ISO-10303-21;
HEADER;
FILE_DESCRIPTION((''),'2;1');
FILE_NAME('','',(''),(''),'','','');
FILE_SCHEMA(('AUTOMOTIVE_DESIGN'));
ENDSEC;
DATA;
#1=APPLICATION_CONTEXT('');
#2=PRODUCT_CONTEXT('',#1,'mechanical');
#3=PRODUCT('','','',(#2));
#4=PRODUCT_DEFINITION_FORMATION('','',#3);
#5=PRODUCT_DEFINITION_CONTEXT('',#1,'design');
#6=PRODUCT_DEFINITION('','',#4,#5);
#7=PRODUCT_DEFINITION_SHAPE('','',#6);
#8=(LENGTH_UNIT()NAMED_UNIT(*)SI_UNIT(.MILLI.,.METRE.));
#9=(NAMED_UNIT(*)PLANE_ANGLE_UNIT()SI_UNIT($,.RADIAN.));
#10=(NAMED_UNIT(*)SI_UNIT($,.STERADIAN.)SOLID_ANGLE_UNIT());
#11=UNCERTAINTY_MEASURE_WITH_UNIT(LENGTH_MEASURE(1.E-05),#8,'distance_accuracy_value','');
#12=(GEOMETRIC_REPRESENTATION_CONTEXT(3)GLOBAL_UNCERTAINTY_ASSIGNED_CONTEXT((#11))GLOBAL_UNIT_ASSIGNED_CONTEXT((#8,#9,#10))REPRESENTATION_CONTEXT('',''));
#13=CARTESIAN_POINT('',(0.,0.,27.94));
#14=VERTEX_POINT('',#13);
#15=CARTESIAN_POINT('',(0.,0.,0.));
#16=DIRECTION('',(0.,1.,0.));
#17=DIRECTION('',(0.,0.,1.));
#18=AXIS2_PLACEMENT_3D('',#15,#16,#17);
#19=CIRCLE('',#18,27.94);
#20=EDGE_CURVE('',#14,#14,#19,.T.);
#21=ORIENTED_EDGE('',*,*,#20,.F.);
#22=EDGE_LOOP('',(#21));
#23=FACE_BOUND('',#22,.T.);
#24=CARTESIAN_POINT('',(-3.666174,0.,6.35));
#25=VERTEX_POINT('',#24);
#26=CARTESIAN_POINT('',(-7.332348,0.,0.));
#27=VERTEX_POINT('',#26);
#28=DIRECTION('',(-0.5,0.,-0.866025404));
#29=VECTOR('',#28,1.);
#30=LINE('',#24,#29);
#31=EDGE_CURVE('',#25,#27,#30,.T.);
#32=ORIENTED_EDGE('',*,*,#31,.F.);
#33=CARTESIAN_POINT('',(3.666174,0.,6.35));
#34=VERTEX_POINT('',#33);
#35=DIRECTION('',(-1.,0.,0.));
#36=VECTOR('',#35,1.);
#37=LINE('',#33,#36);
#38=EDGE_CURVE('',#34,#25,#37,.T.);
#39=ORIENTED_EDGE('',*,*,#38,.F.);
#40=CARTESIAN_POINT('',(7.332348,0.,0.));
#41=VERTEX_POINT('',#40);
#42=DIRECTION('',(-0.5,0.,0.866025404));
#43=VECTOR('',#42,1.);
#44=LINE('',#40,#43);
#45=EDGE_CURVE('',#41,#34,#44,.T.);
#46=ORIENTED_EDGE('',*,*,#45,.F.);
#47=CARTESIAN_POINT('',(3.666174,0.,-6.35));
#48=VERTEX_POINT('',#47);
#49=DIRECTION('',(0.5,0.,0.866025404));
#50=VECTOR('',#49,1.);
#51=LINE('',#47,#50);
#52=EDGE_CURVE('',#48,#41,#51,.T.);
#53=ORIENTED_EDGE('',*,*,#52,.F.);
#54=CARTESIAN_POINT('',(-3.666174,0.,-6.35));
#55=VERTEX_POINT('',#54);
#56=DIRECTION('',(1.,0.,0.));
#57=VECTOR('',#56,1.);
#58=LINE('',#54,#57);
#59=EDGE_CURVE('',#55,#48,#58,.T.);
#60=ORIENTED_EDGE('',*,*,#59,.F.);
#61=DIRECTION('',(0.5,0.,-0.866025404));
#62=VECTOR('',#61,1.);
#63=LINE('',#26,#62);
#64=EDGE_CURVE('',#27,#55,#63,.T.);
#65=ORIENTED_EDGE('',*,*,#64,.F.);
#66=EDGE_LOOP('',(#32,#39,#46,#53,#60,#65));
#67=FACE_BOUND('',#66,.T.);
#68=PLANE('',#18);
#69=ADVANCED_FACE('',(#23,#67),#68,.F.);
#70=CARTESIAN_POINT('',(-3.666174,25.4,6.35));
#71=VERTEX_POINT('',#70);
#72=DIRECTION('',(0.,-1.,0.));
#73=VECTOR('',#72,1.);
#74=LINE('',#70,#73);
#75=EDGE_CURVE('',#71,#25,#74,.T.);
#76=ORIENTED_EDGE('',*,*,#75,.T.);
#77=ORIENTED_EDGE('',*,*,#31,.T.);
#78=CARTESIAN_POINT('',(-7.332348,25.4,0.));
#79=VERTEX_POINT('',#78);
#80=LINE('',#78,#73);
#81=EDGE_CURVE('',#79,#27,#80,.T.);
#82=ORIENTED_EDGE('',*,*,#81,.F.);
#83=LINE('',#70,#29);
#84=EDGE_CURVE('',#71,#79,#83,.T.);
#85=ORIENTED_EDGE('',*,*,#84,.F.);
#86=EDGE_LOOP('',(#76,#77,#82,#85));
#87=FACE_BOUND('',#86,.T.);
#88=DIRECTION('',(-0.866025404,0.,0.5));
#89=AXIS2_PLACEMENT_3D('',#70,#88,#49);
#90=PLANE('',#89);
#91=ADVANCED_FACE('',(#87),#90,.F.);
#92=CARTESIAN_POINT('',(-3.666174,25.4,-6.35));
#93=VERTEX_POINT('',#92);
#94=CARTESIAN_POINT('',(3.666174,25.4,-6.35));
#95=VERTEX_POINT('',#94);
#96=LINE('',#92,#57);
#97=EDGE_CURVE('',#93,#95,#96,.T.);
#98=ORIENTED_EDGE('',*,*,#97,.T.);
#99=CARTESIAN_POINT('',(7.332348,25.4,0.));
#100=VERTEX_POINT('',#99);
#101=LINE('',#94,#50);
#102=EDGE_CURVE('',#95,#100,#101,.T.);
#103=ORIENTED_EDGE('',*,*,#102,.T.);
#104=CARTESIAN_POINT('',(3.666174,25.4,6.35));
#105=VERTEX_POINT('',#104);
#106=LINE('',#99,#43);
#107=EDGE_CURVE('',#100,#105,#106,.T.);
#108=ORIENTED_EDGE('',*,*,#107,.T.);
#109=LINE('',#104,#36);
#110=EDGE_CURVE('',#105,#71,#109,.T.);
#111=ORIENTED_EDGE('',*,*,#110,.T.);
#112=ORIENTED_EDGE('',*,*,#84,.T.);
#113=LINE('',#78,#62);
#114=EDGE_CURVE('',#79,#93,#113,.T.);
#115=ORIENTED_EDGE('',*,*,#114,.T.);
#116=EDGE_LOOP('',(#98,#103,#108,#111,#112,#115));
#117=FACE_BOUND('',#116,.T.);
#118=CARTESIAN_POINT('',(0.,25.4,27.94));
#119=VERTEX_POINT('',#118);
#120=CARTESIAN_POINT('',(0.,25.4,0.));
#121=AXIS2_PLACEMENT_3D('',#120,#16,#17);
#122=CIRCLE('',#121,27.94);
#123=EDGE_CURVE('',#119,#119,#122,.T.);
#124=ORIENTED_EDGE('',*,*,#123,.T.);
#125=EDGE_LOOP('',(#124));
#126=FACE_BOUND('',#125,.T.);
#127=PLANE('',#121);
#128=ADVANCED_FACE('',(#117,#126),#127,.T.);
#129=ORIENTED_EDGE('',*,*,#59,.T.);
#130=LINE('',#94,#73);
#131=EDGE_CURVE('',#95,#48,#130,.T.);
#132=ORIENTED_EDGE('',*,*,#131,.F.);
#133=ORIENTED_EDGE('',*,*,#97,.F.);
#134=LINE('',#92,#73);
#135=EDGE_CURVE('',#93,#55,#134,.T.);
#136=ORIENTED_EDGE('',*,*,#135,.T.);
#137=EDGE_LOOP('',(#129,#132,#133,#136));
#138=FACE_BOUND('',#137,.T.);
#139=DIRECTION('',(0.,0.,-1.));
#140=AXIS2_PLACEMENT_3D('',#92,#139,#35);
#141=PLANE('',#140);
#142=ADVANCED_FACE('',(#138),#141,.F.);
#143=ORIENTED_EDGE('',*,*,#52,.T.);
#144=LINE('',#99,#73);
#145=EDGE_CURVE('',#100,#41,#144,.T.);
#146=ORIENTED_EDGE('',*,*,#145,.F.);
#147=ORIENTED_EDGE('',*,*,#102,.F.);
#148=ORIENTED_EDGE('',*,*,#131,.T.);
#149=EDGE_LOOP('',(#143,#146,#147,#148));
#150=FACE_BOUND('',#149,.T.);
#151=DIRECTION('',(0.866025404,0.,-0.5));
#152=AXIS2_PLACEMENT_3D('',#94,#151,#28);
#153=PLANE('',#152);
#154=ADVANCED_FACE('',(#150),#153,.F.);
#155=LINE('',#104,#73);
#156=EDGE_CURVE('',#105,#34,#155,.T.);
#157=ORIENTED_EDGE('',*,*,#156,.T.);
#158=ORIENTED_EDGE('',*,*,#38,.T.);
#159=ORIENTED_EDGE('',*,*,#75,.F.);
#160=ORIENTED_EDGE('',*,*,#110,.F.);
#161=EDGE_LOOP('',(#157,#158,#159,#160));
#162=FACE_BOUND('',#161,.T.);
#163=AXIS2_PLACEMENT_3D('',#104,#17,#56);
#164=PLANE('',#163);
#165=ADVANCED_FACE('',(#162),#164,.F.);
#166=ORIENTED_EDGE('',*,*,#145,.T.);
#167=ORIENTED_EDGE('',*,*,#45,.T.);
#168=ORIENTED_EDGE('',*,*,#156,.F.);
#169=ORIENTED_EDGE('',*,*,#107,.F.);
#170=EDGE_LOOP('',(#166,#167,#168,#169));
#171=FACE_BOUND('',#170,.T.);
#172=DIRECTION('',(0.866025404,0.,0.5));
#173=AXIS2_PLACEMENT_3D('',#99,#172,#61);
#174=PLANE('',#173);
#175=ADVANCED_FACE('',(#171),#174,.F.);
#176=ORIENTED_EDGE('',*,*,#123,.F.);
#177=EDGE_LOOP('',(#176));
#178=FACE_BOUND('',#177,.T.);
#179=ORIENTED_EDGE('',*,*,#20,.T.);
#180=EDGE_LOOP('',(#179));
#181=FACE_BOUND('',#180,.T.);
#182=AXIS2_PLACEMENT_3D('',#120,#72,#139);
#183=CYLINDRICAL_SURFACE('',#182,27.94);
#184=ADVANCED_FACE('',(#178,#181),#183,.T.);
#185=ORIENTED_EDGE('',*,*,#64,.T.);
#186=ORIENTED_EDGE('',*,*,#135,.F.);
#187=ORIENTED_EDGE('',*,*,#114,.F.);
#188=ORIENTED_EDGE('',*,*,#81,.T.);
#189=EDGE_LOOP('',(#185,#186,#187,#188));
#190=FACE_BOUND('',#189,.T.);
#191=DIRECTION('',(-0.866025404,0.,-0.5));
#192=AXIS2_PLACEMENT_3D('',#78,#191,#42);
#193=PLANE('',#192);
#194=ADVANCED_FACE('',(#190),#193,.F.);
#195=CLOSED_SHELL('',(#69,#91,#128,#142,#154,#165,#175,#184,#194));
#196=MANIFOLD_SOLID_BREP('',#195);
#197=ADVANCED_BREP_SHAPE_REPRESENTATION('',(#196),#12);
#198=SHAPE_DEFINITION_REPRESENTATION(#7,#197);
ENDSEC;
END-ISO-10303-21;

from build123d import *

# Parameters (mm, degrees)
SKETCH1_R           = 27.94
BOSS_EXTRUDE1_DEPTH = 25.4
CUT_EXTRUDE1_DEPTH  = 47.972834703


with BuildPart() as part:
    # Sketch1 → Boss-Extrude1 (new body)
    with BuildSketch(Plane(origin=(0, 0, 0), x_dir=(1, 0, 0), z_dir=(0, 1, 0))):
        with Locations(Location((0, 0, 0), (0, 0, 270))):
            Circle(SKETCH1_R)
    extrude(amount=BOSS_EXTRUDE1_DEPTH)

    # Sketch2 → Cut-Extrude1 (cut, through all)
    with BuildSketch(Plane.XZ):
        Polygon((-3.666174209, 6.35), (-7.332348419, 0), (-3.666174209, -6.35), (3.666174209, -6.35), (7.332348419, 0), (3.666174209, 6.35), align=None)
    extrude(amount=-CUT_EXTRUDE1_DEPTH, mode=Mode.SUBTRACT)


solid = part.part
